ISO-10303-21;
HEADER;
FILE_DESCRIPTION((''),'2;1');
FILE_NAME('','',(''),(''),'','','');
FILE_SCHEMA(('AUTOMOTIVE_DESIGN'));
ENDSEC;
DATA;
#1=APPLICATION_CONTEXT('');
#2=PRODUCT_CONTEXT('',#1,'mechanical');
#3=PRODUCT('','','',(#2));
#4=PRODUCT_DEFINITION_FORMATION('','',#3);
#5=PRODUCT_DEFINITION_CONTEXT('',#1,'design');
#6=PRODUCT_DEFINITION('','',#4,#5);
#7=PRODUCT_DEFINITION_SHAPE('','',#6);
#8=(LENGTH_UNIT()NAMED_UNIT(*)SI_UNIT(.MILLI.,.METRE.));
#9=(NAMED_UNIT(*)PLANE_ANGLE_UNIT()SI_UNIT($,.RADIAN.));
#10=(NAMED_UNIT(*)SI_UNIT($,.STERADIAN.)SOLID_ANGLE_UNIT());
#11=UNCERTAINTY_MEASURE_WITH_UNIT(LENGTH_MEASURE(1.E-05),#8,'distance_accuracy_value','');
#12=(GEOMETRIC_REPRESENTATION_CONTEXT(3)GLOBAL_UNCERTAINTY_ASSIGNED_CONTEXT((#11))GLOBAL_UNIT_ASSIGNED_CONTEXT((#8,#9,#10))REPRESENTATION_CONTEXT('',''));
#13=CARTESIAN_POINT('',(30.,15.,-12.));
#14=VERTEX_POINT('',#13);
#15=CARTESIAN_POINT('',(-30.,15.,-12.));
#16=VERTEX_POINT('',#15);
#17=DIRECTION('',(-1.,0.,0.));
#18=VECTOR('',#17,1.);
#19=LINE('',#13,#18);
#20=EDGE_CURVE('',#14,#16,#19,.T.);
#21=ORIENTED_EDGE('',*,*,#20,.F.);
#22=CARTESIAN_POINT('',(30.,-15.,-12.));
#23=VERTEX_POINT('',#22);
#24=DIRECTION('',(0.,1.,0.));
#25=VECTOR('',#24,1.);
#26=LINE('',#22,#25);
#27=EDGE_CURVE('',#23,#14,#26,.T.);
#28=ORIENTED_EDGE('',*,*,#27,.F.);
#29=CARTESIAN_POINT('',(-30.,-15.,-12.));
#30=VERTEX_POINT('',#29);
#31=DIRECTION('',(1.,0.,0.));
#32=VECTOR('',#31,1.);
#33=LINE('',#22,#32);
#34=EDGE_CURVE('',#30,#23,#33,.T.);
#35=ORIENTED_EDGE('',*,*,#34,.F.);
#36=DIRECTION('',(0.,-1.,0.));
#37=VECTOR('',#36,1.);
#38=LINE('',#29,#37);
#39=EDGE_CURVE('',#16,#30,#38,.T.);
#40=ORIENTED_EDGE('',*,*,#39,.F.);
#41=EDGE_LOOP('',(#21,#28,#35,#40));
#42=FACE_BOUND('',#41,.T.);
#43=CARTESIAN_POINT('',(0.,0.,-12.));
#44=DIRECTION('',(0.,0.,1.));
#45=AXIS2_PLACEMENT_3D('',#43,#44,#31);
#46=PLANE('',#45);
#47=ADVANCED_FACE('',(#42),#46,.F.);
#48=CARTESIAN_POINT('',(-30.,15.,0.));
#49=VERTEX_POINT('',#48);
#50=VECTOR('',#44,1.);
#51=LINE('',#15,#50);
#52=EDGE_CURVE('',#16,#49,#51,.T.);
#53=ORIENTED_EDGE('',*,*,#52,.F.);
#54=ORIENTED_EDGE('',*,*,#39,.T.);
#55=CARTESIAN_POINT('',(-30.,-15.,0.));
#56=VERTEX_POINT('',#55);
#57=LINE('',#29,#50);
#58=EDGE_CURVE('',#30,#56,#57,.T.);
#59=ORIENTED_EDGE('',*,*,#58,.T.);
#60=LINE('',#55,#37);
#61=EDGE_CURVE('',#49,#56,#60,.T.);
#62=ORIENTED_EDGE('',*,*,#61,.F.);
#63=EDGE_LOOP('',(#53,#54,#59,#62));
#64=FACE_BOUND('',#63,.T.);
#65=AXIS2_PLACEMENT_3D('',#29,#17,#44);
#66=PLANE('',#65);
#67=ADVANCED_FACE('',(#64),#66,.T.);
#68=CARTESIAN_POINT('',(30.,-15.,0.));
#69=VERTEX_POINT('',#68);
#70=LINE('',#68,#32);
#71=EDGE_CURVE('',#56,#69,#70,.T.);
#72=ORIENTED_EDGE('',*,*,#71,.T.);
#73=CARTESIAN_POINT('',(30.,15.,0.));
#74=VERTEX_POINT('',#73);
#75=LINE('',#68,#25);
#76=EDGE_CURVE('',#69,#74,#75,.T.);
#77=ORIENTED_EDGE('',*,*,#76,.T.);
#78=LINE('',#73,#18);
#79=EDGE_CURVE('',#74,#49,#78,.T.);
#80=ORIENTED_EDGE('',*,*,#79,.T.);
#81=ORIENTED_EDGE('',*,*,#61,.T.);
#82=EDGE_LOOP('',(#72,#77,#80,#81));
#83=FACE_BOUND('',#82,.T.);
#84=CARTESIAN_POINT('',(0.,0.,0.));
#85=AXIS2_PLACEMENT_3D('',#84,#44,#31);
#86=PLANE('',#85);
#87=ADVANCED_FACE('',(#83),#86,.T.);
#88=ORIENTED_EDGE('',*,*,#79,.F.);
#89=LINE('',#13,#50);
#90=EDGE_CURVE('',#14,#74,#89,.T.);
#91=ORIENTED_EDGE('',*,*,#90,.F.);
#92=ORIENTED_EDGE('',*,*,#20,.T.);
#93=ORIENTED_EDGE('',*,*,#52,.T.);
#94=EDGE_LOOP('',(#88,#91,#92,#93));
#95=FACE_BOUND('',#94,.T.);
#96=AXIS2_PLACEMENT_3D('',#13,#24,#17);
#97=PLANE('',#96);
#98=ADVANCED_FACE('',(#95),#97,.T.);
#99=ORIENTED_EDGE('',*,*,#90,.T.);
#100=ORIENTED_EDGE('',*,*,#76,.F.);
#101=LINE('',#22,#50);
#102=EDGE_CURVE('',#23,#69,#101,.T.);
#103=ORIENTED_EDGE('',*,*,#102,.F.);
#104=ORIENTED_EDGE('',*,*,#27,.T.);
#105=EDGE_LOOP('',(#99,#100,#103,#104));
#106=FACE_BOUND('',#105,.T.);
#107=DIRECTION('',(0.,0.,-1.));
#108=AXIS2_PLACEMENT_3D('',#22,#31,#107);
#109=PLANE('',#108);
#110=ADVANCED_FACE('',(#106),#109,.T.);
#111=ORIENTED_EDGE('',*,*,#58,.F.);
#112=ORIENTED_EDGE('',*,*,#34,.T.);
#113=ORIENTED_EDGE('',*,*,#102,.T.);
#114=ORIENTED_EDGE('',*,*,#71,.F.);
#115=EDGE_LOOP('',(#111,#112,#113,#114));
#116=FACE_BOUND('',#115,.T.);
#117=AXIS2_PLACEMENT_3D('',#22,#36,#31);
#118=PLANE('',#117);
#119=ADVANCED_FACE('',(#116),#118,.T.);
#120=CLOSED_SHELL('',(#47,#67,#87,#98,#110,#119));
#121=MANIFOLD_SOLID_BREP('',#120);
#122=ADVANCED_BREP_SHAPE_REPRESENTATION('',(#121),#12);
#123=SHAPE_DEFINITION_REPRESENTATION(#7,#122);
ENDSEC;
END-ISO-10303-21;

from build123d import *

# Parameters (mm, degrees)
ESBO_O1_W                = 60
ESBO_O1_H                = 30
RESSALTO_EXTRUS_O1_DEPTH = 12


with BuildPart() as part:
    # Esboço1 → Ressalto-extrusão1 (new body)
    with BuildSketch(Plane.XY):
        Rectangle(ESBO_O1_W, ESBO_O1_H)
    extrude(amount=-RESSALTO_EXTRUS_O1_DEPTH)


solid = part.part
